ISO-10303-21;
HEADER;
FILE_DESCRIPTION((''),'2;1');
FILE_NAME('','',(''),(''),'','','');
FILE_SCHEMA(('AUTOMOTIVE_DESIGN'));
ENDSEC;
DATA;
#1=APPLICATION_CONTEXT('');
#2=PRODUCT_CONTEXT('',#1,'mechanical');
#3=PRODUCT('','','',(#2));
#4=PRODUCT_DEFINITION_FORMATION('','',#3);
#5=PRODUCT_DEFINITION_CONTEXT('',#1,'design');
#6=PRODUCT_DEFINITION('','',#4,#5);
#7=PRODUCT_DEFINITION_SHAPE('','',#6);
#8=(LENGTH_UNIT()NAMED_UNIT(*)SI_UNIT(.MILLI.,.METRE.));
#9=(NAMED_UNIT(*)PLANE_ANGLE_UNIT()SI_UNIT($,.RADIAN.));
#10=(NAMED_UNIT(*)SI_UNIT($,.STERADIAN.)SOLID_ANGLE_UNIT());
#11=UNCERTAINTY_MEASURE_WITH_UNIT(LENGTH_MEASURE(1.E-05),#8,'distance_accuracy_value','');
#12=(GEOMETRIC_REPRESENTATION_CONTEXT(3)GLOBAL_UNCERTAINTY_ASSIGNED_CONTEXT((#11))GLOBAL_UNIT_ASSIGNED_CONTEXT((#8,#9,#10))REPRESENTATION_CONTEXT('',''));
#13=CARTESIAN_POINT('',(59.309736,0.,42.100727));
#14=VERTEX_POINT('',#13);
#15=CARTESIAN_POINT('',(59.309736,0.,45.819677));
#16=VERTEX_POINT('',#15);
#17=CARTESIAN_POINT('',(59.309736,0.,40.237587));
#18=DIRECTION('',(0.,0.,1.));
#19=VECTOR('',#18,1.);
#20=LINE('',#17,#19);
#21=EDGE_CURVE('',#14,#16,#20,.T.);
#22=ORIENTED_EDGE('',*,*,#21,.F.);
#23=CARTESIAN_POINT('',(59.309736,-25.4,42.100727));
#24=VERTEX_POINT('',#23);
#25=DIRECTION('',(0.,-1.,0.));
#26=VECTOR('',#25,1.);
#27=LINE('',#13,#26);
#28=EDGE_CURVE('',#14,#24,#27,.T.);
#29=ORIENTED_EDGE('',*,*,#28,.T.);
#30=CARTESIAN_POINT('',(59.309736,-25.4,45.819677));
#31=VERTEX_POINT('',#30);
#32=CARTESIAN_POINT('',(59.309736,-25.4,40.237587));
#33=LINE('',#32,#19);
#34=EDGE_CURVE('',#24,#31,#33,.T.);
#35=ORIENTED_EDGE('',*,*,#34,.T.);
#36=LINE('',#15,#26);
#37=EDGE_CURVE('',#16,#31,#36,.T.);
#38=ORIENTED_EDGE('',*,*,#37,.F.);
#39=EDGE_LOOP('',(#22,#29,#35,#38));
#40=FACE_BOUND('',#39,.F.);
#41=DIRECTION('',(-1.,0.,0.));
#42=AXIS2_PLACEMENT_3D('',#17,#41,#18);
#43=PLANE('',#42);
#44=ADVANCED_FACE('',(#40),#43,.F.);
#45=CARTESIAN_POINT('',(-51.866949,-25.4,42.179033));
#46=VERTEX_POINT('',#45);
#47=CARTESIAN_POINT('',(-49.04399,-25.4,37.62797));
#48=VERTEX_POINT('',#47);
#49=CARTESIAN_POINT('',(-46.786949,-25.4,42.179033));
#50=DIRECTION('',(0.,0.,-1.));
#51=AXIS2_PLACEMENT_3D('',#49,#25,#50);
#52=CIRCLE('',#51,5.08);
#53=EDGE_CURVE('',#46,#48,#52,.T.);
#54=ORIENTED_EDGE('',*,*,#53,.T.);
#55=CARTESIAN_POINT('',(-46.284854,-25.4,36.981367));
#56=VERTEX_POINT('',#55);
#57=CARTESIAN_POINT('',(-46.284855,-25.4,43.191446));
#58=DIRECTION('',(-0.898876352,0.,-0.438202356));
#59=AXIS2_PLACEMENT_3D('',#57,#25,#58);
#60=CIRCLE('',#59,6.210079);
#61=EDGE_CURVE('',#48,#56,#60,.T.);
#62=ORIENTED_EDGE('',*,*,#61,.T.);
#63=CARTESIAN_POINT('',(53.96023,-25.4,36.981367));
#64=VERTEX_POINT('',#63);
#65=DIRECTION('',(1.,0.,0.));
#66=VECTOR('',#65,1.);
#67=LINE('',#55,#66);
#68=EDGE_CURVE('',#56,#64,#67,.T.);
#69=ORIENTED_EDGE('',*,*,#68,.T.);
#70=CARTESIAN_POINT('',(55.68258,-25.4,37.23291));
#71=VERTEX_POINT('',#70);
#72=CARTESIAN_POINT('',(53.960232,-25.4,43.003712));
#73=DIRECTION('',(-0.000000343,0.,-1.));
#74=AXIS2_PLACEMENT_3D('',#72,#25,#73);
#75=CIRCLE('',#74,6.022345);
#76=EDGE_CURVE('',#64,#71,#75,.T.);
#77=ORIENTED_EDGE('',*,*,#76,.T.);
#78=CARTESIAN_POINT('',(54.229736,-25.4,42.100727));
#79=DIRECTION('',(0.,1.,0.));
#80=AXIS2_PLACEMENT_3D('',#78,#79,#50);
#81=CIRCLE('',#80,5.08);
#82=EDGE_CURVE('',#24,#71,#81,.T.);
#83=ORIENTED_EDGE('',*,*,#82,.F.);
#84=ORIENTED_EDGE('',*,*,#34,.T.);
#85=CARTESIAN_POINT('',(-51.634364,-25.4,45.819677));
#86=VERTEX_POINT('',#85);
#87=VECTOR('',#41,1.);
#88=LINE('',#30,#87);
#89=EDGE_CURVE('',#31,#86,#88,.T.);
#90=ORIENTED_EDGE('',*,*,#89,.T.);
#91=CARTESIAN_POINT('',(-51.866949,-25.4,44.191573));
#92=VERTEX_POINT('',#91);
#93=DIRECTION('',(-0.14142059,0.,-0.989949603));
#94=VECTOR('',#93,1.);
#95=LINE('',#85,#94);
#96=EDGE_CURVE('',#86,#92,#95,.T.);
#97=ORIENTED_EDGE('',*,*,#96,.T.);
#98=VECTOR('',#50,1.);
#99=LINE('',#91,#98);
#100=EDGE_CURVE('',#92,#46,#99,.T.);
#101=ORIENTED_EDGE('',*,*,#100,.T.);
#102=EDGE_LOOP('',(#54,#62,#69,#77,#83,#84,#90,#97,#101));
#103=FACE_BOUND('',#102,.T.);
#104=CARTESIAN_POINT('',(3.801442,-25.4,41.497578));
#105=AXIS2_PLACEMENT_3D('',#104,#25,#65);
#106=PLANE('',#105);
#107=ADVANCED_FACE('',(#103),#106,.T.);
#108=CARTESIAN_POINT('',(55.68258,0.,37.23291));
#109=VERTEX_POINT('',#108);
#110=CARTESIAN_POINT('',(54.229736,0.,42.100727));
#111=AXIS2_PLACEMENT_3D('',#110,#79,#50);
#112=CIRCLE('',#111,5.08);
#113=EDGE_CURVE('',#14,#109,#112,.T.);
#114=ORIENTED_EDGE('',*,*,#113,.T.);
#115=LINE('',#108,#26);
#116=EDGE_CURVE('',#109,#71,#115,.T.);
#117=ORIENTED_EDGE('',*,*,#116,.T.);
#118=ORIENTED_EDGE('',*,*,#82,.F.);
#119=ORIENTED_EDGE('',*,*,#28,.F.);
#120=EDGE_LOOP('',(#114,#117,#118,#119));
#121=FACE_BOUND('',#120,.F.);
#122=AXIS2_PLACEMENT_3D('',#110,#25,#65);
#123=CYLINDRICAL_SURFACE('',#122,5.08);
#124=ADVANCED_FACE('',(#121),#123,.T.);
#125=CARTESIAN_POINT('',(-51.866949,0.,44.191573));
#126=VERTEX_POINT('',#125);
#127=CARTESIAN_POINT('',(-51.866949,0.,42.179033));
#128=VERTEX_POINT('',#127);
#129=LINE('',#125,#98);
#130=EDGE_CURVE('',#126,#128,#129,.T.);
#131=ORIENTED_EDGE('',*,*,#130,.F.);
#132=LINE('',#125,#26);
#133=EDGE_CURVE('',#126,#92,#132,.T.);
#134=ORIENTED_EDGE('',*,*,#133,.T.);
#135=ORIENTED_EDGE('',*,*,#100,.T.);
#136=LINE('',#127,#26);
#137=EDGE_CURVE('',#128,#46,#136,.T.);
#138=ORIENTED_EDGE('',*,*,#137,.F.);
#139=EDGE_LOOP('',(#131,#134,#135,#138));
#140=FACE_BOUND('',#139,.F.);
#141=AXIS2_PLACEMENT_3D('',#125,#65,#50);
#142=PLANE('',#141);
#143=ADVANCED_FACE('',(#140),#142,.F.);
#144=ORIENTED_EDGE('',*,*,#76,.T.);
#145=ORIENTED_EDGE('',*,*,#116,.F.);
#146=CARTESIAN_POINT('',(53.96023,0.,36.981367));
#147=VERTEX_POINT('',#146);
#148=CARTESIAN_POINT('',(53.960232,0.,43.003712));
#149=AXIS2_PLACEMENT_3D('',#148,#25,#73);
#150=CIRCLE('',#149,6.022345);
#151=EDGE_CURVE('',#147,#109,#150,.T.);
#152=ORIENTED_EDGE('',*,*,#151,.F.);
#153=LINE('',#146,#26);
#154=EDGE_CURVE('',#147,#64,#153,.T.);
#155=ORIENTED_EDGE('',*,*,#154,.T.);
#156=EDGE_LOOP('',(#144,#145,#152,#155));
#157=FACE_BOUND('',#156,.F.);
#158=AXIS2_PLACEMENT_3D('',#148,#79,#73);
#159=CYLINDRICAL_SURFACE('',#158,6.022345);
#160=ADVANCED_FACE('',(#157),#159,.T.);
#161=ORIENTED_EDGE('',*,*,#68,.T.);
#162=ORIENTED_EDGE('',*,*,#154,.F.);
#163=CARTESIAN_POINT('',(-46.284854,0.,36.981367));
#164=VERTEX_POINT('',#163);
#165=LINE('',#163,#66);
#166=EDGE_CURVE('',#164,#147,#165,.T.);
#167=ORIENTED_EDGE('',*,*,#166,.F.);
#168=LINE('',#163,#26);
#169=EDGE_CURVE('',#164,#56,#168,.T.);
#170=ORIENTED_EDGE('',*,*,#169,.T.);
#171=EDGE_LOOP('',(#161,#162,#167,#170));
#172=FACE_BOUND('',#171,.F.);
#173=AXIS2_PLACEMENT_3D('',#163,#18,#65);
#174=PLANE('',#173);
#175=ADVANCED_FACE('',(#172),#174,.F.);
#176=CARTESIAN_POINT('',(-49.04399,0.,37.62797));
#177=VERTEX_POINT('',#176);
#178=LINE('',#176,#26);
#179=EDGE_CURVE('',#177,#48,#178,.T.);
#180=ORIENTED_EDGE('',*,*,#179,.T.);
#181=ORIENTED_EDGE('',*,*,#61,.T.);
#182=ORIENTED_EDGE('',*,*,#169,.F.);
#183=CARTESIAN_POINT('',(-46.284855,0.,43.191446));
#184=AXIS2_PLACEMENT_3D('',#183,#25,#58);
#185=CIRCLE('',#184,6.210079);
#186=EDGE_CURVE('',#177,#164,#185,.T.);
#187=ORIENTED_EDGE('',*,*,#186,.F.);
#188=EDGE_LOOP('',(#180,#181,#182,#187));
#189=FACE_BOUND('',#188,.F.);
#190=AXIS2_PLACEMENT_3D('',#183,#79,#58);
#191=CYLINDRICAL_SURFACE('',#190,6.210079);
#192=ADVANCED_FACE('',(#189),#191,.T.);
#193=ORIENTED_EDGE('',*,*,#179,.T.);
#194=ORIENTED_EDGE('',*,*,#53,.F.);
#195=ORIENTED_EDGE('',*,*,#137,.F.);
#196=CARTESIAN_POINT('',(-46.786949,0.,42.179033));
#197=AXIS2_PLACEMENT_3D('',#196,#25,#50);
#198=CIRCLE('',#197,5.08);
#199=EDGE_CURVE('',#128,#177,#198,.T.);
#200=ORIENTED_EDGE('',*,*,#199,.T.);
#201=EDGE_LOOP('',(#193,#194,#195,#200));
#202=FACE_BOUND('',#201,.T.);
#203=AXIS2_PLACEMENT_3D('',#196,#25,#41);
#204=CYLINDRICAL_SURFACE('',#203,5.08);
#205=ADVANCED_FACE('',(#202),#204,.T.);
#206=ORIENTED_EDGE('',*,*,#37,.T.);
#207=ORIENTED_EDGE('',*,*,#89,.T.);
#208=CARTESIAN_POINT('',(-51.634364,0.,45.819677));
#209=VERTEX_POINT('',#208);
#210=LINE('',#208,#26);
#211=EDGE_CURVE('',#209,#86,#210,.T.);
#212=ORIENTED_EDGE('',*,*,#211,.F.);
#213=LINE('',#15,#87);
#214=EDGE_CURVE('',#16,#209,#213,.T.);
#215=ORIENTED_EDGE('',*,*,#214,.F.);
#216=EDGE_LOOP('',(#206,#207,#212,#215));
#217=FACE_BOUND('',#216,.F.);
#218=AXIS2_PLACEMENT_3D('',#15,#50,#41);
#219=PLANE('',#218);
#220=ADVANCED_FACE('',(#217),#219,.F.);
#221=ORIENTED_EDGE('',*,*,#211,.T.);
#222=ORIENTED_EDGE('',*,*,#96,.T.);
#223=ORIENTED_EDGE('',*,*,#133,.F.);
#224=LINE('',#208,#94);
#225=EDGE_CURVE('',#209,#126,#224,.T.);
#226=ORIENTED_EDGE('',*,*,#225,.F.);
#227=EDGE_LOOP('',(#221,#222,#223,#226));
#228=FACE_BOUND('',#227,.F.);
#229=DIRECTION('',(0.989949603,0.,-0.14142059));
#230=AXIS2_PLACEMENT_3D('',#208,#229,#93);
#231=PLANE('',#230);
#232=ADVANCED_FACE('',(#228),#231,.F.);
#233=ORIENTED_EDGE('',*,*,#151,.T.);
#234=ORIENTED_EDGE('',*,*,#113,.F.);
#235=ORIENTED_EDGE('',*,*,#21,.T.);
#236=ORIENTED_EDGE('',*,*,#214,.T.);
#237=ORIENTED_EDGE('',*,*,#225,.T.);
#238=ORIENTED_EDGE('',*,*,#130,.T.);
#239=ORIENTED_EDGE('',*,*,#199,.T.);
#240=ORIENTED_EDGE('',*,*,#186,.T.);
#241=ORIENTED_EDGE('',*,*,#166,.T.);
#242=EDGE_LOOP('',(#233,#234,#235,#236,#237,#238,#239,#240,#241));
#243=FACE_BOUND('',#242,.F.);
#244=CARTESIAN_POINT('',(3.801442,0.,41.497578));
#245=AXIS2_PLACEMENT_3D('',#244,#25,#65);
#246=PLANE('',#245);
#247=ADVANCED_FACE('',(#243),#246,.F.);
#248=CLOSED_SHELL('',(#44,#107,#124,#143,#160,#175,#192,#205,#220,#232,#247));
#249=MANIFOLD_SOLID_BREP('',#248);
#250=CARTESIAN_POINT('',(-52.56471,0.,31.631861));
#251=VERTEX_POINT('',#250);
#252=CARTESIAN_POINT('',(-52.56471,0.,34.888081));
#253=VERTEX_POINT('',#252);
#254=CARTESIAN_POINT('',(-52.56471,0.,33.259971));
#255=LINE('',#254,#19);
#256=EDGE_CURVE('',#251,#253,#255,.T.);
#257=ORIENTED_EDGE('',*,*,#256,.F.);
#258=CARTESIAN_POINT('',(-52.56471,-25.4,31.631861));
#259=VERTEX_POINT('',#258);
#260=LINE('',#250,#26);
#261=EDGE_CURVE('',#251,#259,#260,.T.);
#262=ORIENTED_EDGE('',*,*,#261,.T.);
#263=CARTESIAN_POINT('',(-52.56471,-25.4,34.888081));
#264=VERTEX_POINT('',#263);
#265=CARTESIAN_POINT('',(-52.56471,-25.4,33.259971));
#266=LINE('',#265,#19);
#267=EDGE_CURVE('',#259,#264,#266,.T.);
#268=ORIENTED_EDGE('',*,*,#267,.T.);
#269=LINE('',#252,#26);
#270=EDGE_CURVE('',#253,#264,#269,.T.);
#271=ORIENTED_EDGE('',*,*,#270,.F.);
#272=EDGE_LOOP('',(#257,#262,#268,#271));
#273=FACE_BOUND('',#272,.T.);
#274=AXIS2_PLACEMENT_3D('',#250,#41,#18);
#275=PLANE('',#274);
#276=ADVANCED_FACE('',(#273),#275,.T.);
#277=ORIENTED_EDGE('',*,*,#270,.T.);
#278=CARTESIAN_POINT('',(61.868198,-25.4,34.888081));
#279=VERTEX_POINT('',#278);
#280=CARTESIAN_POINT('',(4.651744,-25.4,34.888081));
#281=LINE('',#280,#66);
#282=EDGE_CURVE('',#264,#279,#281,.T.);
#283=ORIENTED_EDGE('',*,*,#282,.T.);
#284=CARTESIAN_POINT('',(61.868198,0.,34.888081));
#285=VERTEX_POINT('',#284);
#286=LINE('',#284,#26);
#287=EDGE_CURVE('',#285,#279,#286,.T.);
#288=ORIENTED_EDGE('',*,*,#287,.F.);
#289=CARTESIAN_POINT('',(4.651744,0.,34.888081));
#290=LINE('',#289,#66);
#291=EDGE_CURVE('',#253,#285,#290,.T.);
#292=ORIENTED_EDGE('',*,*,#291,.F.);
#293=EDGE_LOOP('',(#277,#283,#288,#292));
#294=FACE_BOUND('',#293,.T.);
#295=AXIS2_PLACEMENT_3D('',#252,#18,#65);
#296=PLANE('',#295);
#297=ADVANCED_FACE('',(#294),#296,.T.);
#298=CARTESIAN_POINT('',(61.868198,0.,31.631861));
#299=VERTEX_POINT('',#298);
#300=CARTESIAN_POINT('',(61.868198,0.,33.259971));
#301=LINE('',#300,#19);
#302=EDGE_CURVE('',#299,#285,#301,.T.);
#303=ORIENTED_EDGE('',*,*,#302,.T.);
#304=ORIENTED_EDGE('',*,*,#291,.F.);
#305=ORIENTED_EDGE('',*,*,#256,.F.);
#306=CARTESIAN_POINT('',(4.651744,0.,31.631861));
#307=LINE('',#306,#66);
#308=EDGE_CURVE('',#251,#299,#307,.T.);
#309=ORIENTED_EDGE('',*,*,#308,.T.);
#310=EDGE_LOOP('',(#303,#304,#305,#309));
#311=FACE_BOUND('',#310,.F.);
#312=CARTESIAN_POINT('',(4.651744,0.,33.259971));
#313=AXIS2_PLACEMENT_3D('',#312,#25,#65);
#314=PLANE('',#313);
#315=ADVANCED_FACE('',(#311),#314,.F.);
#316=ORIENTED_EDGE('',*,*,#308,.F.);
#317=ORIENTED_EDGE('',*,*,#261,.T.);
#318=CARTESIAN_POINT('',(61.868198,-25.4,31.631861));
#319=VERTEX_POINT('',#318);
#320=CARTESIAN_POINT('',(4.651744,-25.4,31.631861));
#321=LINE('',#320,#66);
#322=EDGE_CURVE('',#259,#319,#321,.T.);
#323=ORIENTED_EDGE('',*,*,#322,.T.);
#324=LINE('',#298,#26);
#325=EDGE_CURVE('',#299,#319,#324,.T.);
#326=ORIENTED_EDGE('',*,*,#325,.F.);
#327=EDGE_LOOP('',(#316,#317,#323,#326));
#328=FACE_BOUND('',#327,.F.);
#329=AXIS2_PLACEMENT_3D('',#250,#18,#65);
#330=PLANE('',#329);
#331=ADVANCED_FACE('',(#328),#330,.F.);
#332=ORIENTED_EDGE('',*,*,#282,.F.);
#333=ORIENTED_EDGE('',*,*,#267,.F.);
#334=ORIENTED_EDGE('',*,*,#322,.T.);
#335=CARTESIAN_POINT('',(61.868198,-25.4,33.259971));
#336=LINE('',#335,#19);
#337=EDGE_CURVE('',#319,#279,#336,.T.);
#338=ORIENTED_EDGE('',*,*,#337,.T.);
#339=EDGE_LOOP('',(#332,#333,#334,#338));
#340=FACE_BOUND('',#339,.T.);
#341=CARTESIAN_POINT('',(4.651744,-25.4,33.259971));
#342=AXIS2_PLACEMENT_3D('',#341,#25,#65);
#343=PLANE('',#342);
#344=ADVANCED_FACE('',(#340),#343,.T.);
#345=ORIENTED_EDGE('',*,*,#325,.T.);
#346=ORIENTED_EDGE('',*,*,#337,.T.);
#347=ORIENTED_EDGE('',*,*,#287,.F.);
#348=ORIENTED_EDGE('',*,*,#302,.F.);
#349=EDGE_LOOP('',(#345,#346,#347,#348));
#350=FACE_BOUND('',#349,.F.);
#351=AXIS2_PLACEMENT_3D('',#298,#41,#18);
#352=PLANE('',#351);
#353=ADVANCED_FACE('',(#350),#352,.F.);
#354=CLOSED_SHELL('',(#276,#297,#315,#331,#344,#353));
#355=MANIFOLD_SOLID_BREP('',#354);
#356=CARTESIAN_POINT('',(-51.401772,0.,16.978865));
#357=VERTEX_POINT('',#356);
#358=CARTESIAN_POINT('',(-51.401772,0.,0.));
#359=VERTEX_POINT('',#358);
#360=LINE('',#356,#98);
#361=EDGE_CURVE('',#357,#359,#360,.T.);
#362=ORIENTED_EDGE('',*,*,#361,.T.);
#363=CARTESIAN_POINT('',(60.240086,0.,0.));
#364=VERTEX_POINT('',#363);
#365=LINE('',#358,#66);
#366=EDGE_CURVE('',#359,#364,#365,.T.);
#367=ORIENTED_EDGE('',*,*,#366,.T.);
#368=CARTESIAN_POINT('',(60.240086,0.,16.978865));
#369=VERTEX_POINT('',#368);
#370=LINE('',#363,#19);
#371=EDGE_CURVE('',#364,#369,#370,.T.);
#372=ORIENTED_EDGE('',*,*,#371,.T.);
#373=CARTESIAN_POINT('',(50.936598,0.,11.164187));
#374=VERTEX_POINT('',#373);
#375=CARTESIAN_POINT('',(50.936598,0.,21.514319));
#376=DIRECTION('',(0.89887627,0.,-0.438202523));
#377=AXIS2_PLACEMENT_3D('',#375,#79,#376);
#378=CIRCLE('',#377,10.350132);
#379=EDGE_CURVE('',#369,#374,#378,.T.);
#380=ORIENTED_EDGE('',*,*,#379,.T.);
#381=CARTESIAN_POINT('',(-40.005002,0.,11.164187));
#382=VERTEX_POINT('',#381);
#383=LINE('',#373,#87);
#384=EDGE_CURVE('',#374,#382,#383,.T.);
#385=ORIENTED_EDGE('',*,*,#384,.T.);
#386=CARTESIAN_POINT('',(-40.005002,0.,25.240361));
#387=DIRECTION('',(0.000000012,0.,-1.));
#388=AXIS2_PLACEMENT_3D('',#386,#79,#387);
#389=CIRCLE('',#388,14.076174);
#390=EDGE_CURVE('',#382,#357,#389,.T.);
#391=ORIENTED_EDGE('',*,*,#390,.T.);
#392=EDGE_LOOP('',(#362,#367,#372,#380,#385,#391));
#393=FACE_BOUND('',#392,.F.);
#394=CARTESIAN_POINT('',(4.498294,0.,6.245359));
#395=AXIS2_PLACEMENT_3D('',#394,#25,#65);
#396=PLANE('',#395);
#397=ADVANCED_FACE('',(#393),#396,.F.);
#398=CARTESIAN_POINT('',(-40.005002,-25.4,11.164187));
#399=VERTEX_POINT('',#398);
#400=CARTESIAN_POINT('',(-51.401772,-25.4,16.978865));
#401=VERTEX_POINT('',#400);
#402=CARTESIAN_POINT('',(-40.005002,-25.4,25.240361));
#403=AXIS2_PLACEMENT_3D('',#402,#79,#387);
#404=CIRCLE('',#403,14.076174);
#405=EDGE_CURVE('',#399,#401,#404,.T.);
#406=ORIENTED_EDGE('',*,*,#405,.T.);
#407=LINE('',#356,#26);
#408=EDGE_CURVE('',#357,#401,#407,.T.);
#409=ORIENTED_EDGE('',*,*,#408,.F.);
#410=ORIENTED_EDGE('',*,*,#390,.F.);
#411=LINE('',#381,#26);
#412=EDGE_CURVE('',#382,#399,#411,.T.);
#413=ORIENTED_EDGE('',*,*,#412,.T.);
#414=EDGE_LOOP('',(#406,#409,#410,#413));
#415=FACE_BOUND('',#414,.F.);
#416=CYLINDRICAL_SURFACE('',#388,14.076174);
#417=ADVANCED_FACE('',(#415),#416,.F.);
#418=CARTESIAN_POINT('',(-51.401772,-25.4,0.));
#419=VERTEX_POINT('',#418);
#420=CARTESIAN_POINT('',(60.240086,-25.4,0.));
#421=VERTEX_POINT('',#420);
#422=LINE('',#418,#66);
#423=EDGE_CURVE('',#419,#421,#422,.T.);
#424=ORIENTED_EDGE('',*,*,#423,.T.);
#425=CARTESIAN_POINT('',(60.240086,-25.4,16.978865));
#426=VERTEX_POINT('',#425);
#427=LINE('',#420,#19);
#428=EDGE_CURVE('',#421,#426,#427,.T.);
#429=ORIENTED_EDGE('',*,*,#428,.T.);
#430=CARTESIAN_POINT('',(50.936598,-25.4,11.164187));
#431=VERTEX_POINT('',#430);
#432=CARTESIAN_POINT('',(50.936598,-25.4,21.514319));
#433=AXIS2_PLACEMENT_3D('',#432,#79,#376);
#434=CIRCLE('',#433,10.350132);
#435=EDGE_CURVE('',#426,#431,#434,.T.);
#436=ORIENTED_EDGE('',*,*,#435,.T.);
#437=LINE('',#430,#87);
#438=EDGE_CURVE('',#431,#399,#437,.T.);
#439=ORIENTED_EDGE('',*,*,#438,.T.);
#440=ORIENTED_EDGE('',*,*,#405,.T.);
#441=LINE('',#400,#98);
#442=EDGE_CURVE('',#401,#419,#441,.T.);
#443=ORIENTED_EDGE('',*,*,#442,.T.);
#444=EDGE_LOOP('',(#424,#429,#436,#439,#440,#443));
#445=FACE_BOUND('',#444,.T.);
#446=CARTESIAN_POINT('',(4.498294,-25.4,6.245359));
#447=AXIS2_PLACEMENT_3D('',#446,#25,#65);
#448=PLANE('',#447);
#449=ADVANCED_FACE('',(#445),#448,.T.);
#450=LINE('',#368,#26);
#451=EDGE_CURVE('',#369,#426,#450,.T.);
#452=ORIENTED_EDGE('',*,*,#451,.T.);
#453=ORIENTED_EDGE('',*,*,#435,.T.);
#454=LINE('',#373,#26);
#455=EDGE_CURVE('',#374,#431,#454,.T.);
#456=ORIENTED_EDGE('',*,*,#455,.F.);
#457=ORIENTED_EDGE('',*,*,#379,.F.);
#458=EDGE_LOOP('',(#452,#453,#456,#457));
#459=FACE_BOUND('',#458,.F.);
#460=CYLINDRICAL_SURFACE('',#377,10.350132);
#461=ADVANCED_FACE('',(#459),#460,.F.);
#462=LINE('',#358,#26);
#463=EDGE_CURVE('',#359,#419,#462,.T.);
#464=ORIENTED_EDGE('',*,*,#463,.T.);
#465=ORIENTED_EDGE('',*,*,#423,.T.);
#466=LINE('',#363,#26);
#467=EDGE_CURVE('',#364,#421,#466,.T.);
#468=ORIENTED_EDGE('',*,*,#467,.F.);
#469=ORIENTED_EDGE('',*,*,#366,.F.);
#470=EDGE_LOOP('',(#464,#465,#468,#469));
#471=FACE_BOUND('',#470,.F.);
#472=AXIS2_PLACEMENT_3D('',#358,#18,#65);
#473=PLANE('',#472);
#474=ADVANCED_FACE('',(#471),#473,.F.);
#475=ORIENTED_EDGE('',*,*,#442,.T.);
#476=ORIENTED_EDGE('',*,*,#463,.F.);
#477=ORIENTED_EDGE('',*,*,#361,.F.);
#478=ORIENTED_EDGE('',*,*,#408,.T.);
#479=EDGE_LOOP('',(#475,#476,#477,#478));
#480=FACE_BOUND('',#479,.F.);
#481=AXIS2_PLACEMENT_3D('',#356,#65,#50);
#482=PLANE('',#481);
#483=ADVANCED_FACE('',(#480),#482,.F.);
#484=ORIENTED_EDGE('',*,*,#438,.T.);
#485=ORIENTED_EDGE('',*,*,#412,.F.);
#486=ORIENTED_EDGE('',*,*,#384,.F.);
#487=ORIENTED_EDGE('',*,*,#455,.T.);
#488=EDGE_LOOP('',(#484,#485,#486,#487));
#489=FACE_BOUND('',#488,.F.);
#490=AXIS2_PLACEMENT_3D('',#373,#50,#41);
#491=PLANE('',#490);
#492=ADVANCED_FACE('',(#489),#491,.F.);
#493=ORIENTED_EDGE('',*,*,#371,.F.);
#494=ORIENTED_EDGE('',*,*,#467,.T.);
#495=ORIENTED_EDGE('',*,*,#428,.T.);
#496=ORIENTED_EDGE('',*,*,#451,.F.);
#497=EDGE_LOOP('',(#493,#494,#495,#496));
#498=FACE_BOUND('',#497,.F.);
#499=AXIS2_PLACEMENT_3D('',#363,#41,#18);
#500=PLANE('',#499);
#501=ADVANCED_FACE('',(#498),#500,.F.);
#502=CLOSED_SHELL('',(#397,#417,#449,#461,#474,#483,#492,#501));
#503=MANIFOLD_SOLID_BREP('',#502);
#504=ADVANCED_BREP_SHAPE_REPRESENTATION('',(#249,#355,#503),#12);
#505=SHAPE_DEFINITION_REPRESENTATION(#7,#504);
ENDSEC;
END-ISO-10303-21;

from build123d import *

# Parameters (mm, degrees)
F0_W     = 114.432908
F0_H     = 3.25622
F1_DEPTH = 25.4
F2_R     = 5.08
F3_R     = 5.08


with BuildPart() as f1:
    # F0 (on Front) → F1 (new body)
    with BuildSketch(Plane.XZ):
        with BuildLine():
            Line((-51.634364, 45.819677), (-51.866949, 44.191573))
            Line((-51.866949, 44.191573), (-51.866949, 40.470175))
            ThreePointArc((-51.866949, 40.470175), (-49.57619, 37.925309), (-46.284854, 36.981367))
            Line((-46.284854, 36.981367), (53.96023, 36.981367))
            ThreePointArc((53.96023, 36.981367), (57.091531, 37.859433), (59.309736, 40.237587))
            Line((59.309736, 40.237587), (59.309736, 45.819677))
            Line((59.309736, 45.819677), (-51.634364, 45.819677))
        make_face()
        with Locations((4.651744, 33.259971)):
            Rectangle(F0_W, F0_H)
        with BuildLine():
            ThreePointArc((-40.005002, 11.164187), (-46.402206, 12.701842), (-51.401772, 16.978865))
            Line((-51.401772, 16.978865), (-51.401772, 0))
            Line((-51.401772, 0), (60.240086, 0))
            Line((60.240086, 0), (60.240086, 16.978865))
            ThreePointArc((60.240086, 16.978865), (56.422156, 12.737424), (50.936598, 11.164187))
            Line((50.936598, 11.164187), (-40.005002, 11.164187))
        make_face()
    extrude(amount=F1_DEPTH)

    # F2
    f2_edges = [f1.edges().sort_by_distance(p)[0] for p in [
        (-51.866949, -12.7, 40.470175),
    ]]
    fillet(f2_edges, radius=F2_R)

    # F3
    f3_edges = [f1.edges().sort_by_distance(p)[0] for p in [
        (59.309736, -12.7, 40.237587),
    ]]
    fillet(f3_edges, radius=F3_R)


solid = f1.part
